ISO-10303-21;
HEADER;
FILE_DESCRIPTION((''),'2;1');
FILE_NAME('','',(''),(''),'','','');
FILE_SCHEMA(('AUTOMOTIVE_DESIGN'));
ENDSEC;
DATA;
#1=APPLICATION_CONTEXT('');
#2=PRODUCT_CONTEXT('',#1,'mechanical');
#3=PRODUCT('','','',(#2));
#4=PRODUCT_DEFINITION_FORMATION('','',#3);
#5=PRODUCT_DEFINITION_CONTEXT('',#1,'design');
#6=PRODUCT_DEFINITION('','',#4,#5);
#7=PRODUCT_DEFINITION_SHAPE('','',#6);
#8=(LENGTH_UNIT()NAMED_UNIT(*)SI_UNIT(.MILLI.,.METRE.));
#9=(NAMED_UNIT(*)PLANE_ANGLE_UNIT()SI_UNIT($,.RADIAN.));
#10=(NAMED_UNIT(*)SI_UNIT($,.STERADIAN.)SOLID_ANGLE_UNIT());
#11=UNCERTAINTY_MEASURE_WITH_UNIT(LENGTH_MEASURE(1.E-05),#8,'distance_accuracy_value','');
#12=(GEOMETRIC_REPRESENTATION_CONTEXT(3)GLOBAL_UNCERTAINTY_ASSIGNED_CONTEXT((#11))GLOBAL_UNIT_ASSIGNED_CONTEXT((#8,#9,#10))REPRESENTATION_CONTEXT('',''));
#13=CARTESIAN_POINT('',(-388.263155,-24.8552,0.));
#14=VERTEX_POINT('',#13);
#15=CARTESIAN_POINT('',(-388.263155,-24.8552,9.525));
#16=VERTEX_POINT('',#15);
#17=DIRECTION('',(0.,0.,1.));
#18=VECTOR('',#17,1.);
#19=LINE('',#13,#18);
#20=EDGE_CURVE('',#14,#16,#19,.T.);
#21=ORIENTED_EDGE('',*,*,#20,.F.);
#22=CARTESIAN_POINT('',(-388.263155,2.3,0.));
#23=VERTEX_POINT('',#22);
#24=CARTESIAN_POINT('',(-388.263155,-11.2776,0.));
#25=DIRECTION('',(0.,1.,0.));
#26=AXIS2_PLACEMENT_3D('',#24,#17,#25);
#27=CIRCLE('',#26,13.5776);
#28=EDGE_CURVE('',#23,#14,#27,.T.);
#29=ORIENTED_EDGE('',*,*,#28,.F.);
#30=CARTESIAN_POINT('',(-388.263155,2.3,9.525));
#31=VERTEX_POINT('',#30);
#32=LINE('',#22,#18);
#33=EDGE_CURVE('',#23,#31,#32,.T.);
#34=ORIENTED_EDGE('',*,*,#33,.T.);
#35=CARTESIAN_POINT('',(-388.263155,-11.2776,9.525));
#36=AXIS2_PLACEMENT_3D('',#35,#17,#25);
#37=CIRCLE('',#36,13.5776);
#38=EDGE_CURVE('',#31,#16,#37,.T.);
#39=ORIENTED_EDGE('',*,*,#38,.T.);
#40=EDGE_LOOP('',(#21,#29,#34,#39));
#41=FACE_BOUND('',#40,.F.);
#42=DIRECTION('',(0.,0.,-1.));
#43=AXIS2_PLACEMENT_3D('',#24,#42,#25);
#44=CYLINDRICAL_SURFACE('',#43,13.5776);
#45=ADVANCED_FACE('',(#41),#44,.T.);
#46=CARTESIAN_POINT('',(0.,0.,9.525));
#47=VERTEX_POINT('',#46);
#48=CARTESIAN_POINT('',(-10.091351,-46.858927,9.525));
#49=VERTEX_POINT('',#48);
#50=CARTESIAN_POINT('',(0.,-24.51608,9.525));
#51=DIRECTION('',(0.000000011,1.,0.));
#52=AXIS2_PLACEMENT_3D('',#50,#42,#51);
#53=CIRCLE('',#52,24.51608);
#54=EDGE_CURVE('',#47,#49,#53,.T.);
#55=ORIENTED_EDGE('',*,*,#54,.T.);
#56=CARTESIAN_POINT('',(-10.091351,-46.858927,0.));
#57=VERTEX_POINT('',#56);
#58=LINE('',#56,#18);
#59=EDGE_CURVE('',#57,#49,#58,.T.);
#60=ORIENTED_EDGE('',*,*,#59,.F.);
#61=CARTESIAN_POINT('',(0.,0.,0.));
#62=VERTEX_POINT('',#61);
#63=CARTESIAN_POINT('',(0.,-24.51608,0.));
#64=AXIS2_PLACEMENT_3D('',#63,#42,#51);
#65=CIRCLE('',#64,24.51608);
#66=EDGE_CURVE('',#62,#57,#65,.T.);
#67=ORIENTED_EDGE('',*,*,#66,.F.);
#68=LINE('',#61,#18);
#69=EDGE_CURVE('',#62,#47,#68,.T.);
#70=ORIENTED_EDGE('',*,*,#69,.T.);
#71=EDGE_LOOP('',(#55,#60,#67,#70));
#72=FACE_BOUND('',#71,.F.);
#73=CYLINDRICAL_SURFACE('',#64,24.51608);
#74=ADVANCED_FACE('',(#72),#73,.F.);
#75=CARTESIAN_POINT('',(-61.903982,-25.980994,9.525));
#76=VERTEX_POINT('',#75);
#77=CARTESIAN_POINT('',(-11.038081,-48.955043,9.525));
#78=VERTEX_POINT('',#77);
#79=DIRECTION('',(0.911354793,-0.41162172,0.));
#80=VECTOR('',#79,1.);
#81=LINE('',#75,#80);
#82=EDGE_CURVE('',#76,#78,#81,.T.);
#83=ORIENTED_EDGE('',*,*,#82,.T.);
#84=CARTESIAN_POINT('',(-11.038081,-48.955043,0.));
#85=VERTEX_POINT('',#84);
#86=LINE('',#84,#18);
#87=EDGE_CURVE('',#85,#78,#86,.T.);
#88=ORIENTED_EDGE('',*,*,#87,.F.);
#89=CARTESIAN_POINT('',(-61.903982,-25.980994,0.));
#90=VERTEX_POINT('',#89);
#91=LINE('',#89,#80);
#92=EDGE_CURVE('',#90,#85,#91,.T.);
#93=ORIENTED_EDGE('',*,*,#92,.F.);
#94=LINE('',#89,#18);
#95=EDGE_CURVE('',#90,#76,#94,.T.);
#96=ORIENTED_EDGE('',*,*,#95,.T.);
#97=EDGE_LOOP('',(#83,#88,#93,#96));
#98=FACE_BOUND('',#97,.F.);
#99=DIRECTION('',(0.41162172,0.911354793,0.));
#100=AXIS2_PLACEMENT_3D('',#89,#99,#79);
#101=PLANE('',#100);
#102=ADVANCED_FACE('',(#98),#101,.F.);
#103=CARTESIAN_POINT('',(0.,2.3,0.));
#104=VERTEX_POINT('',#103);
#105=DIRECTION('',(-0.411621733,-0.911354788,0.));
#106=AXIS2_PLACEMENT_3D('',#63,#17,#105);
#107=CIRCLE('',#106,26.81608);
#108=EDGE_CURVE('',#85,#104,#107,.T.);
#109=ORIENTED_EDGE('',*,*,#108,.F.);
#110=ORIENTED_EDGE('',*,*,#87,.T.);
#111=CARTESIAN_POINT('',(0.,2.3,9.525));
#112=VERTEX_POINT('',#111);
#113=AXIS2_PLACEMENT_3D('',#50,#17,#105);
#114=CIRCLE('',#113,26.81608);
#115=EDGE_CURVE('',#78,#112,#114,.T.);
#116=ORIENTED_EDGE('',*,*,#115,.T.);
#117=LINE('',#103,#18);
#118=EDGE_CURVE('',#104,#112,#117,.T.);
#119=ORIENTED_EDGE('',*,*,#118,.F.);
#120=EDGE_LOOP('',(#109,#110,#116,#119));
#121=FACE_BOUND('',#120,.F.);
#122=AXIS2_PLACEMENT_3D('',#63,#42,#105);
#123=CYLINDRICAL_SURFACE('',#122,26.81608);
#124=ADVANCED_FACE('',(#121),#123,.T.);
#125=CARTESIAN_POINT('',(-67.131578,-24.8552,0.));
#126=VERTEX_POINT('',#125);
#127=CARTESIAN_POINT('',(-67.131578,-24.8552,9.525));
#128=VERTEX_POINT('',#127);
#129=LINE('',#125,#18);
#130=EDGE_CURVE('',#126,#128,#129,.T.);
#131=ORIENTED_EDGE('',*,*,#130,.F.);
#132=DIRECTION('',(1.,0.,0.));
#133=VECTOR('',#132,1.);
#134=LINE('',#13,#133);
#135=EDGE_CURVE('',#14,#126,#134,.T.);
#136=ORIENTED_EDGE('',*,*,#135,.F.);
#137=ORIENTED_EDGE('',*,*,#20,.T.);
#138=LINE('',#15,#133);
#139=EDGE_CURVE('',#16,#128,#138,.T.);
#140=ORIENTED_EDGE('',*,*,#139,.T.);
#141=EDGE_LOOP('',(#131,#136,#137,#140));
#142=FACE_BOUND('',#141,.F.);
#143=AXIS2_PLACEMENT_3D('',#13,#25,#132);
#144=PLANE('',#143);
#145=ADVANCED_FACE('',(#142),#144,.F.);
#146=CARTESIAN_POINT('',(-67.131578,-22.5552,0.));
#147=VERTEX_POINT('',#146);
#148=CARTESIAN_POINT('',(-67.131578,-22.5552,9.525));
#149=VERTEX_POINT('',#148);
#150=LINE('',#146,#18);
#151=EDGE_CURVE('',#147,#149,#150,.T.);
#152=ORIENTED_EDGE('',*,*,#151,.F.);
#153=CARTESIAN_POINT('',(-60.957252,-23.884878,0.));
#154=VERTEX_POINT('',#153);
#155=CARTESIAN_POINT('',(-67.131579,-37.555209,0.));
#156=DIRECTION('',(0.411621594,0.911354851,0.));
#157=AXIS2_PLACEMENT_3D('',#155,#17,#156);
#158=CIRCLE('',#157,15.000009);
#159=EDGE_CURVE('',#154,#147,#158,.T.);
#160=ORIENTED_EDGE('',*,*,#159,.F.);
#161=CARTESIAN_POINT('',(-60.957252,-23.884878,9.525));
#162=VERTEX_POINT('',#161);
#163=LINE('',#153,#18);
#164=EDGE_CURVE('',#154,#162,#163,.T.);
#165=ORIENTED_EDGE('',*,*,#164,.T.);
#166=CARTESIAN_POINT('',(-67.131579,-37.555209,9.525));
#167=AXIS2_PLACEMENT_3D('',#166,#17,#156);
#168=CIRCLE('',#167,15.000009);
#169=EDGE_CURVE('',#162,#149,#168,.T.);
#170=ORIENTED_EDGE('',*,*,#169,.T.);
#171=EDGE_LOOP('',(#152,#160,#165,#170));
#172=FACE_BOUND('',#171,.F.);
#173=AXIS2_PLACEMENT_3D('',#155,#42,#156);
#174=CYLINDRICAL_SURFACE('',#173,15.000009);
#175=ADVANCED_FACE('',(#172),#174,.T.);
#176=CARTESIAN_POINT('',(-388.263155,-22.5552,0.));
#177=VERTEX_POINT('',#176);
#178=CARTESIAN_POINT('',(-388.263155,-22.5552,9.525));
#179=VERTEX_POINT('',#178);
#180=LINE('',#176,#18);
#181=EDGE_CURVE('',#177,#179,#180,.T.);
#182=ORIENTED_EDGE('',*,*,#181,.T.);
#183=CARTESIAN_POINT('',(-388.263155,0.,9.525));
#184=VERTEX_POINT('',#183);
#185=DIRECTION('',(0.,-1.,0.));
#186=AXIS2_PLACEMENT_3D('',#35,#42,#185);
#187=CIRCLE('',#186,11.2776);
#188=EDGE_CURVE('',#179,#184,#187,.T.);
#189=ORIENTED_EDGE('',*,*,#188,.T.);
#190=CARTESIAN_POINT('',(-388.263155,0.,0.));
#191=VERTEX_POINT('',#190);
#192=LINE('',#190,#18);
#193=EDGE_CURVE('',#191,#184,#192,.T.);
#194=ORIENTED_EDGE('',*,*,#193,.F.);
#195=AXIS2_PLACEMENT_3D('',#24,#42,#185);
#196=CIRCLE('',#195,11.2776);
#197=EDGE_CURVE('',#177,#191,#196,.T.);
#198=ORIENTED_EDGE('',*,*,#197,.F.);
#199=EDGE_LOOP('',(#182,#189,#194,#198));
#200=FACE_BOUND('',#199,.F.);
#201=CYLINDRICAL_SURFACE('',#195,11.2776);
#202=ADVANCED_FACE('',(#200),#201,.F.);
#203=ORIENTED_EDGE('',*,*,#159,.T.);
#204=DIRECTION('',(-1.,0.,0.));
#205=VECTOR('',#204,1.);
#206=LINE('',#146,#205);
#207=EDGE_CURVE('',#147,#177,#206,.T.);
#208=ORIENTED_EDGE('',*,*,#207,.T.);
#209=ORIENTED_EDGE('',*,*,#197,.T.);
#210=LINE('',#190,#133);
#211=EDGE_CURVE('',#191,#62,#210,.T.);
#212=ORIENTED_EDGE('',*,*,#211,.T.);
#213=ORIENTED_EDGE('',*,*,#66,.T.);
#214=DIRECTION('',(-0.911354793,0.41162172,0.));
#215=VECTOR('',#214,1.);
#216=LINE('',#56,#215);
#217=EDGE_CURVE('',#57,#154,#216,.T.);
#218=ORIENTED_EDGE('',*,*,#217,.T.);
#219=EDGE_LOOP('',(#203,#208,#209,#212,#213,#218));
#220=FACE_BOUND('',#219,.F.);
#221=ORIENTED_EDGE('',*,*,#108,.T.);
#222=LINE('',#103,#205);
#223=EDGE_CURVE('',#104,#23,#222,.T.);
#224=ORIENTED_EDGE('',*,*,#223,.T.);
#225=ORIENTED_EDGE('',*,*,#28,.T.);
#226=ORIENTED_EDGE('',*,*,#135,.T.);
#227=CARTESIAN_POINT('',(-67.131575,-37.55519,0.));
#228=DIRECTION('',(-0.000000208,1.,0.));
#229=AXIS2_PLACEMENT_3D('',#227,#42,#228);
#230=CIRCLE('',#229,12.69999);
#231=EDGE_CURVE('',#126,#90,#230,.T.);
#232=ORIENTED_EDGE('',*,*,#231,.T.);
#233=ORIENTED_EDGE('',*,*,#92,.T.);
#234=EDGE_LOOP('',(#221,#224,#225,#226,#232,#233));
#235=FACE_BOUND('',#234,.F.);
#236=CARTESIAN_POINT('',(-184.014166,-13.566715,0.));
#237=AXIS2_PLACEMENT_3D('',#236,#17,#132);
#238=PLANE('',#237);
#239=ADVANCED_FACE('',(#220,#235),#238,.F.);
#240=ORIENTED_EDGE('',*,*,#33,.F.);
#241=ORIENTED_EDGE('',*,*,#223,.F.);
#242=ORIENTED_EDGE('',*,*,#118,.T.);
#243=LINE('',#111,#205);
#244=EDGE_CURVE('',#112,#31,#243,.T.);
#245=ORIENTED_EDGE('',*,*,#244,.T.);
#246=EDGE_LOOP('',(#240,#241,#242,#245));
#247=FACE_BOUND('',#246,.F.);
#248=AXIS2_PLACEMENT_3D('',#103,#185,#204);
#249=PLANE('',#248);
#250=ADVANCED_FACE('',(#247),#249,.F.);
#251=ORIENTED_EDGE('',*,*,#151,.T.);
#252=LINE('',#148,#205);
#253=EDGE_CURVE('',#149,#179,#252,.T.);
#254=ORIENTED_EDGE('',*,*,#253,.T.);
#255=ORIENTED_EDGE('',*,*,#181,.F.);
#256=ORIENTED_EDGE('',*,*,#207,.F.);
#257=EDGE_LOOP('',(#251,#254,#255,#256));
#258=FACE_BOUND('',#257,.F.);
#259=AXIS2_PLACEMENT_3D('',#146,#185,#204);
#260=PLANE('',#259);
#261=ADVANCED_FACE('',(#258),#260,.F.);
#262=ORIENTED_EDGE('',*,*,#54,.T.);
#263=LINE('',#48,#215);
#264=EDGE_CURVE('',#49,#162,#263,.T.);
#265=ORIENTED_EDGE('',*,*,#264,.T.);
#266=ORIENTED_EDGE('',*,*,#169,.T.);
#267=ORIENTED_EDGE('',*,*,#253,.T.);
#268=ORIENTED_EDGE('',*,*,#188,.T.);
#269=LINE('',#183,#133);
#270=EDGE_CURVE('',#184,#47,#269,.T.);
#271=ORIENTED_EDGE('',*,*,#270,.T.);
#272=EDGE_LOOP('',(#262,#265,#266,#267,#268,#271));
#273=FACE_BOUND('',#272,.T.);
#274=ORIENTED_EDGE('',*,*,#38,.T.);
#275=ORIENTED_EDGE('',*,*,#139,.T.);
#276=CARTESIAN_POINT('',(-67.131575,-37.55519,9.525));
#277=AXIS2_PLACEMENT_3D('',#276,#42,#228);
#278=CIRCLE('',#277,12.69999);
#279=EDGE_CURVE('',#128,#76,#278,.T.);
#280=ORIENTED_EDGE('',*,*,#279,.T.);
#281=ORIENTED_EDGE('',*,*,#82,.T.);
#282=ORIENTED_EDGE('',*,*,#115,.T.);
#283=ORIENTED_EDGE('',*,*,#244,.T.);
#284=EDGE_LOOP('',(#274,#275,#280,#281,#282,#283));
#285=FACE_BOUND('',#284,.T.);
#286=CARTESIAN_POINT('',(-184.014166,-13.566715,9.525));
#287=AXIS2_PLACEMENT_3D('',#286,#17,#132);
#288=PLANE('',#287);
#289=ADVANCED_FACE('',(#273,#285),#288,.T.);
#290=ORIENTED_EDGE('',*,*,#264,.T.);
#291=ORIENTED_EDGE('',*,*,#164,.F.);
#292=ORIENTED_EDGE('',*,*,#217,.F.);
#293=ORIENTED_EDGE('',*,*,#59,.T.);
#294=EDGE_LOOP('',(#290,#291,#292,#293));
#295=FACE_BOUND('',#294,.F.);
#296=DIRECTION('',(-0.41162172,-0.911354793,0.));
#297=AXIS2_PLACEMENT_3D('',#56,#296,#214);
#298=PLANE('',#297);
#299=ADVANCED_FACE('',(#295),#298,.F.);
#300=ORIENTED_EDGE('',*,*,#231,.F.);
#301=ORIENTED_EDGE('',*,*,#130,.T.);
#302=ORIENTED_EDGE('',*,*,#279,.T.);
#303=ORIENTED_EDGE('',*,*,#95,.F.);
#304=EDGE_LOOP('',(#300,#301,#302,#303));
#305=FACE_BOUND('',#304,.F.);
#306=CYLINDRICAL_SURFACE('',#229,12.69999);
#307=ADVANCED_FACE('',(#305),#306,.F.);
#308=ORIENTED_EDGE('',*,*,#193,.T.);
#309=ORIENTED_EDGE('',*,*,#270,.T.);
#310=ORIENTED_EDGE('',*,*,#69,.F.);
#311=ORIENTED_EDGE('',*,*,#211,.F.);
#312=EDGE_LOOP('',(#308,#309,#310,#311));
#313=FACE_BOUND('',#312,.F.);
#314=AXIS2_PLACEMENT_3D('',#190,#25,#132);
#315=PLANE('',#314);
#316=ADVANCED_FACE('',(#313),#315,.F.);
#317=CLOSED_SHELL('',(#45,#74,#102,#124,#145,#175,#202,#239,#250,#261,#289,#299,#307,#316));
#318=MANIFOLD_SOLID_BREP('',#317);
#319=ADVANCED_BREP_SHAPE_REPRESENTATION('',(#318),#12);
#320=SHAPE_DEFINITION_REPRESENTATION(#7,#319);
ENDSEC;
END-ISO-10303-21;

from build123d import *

# Parameters (mm, degrees)
F1_DEPTH = 9.525


with BuildPart() as f1:
    # F0 (on Top) → F1 (new body)
    with BuildSketch(Plane.XY):
        with BuildLine():
            Line((0, 2.3), (-388.263155, 2.3))
            ThreePointArc((-388.263155, 2.3), (-401.840755, -11.2776), (-388.263155, -24.8552))
            Line((-388.263155, -24.8552), (-67.131578, -24.8552))
            ThreePointArc((-67.131578, -24.8552), (-64.457855, -25.139838), (-61.903982, -25.980994))
            Line((-61.903982, -25.980994), (-11.038081, -48.955043))
            ThreePointArc((-11.038081, -48.955043), (26.215066, -30.161652), (0, 2.3))
        make_face()
        with BuildLine():
            ThreePointArc((0, 0), (23.966614, -29.677434), (-10.091351, -46.858927))
            Line((-10.091351, -46.858927), (-60.957252, -23.884878))
            ThreePointArc((-60.957252, -23.884878), (-63.973638, -22.891387), (-67.131578, -22.5552))
            Line((-67.131578, -22.5552), (-388.263155, -22.5552))
            ThreePointArc((-388.263155, -22.5552), (-399.540755, -11.2776), (-388.263155, 0))
            Line((-388.263155, 0), (0, 0))
        make_face(mode=Mode.SUBTRACT)
    extrude(amount=F1_DEPTH)


solid = f1.part
